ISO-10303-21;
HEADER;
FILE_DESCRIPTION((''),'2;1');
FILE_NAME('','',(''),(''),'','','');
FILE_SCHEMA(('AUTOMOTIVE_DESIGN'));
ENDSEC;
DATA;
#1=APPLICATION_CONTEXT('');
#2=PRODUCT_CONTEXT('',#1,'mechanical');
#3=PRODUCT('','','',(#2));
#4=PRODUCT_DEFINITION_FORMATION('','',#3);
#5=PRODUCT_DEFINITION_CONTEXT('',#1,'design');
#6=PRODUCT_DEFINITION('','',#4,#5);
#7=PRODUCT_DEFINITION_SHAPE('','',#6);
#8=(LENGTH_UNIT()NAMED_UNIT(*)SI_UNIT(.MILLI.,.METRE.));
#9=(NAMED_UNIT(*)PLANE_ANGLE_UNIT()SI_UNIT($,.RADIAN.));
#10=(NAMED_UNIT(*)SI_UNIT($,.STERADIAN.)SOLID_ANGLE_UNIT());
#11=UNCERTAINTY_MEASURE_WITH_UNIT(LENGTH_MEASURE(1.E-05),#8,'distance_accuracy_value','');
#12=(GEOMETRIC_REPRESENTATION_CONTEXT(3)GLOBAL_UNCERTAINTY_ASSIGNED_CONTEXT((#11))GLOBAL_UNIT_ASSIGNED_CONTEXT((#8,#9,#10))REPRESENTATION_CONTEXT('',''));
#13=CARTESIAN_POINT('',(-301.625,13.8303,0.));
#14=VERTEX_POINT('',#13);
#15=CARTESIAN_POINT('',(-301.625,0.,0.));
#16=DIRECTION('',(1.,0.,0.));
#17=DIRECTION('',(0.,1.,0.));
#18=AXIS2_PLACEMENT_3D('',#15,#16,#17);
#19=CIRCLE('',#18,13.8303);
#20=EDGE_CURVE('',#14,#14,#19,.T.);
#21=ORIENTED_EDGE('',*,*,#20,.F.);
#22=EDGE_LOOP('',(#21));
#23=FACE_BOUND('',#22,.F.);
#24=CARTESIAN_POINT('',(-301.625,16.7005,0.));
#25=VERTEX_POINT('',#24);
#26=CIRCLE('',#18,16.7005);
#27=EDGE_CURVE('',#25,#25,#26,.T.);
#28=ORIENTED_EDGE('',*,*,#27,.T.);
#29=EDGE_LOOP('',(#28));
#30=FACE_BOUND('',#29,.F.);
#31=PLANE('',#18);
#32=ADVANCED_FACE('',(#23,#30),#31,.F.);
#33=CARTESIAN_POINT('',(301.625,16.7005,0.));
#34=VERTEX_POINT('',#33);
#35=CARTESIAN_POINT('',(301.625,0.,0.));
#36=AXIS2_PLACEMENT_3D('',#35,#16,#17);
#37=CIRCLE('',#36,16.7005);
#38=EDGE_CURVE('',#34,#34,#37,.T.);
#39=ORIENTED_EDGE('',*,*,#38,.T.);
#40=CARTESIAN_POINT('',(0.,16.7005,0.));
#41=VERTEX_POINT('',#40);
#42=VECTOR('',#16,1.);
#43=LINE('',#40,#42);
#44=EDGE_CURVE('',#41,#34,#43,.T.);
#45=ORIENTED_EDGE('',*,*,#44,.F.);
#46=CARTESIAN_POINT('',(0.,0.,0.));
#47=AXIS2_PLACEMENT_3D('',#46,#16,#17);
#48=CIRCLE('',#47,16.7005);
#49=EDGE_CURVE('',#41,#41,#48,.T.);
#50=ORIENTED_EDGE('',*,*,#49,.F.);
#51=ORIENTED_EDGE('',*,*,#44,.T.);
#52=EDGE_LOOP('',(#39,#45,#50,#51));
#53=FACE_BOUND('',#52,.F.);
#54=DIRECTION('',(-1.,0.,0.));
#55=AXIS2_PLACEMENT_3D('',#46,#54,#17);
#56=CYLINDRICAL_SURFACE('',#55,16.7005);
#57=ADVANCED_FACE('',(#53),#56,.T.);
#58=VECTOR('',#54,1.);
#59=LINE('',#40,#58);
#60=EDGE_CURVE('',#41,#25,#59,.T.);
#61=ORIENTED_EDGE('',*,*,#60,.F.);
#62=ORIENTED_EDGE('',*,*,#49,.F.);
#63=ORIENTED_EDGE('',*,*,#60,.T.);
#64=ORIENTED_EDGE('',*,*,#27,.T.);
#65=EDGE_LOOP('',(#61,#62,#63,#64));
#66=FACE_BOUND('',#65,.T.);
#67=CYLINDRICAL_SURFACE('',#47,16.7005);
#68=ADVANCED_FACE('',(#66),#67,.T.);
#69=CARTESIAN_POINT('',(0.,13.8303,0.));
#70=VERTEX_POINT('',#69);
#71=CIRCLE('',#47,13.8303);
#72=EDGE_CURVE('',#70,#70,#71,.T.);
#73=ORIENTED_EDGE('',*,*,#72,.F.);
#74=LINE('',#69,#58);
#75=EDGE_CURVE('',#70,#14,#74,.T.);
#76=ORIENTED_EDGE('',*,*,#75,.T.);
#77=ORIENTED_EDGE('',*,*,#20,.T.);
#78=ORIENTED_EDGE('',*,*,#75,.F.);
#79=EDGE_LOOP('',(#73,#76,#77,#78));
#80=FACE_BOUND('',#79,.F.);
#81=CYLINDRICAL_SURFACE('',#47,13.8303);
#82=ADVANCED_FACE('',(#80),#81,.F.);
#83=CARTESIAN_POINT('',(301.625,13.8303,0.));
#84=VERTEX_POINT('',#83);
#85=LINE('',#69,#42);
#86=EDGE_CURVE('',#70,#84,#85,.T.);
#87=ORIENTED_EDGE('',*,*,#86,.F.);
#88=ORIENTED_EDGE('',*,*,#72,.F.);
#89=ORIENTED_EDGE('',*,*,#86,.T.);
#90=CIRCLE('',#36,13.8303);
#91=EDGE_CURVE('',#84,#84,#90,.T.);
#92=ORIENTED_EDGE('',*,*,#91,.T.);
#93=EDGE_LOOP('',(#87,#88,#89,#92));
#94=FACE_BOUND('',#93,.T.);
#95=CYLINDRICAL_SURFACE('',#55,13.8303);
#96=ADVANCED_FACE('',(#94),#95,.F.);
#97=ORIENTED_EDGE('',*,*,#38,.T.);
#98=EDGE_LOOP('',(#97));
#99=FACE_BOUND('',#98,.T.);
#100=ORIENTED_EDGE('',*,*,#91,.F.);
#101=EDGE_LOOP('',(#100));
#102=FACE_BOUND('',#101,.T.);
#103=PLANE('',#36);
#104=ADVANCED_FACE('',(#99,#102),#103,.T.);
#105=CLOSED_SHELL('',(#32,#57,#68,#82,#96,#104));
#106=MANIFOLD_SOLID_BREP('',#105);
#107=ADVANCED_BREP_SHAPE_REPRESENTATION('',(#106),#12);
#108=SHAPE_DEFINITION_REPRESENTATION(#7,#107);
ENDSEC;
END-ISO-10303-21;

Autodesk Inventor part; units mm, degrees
ref_plane "YZ Plane" through (0, 0, 0) normal (1, 0, 0) x (0, 1, 0)
ref_plane "XZ Plane" through (0, 0, 0) normal (0, 1, 0) x (-1, 0, 0)
ref_plane "XY Plane" through (0, 0, 0) normal (0, 0, 1) x (1, 0, 0)
sketch "Sketch1" plane through (0, 0, 0) normal (1, 0, 0) x (0, 1, 0)
  circle A0 centre (0, 0) radius 16.7005
  circle A1 centre (0, 0) radius 13.8303
  dimension "d0" = 33.401
  dimension "d4" = 2.8702
extrude "Extrusion1" add sketch "Sketch1" along normal mid plane 603.25
properties part number "1in PVC" material "PVC-Piping"
